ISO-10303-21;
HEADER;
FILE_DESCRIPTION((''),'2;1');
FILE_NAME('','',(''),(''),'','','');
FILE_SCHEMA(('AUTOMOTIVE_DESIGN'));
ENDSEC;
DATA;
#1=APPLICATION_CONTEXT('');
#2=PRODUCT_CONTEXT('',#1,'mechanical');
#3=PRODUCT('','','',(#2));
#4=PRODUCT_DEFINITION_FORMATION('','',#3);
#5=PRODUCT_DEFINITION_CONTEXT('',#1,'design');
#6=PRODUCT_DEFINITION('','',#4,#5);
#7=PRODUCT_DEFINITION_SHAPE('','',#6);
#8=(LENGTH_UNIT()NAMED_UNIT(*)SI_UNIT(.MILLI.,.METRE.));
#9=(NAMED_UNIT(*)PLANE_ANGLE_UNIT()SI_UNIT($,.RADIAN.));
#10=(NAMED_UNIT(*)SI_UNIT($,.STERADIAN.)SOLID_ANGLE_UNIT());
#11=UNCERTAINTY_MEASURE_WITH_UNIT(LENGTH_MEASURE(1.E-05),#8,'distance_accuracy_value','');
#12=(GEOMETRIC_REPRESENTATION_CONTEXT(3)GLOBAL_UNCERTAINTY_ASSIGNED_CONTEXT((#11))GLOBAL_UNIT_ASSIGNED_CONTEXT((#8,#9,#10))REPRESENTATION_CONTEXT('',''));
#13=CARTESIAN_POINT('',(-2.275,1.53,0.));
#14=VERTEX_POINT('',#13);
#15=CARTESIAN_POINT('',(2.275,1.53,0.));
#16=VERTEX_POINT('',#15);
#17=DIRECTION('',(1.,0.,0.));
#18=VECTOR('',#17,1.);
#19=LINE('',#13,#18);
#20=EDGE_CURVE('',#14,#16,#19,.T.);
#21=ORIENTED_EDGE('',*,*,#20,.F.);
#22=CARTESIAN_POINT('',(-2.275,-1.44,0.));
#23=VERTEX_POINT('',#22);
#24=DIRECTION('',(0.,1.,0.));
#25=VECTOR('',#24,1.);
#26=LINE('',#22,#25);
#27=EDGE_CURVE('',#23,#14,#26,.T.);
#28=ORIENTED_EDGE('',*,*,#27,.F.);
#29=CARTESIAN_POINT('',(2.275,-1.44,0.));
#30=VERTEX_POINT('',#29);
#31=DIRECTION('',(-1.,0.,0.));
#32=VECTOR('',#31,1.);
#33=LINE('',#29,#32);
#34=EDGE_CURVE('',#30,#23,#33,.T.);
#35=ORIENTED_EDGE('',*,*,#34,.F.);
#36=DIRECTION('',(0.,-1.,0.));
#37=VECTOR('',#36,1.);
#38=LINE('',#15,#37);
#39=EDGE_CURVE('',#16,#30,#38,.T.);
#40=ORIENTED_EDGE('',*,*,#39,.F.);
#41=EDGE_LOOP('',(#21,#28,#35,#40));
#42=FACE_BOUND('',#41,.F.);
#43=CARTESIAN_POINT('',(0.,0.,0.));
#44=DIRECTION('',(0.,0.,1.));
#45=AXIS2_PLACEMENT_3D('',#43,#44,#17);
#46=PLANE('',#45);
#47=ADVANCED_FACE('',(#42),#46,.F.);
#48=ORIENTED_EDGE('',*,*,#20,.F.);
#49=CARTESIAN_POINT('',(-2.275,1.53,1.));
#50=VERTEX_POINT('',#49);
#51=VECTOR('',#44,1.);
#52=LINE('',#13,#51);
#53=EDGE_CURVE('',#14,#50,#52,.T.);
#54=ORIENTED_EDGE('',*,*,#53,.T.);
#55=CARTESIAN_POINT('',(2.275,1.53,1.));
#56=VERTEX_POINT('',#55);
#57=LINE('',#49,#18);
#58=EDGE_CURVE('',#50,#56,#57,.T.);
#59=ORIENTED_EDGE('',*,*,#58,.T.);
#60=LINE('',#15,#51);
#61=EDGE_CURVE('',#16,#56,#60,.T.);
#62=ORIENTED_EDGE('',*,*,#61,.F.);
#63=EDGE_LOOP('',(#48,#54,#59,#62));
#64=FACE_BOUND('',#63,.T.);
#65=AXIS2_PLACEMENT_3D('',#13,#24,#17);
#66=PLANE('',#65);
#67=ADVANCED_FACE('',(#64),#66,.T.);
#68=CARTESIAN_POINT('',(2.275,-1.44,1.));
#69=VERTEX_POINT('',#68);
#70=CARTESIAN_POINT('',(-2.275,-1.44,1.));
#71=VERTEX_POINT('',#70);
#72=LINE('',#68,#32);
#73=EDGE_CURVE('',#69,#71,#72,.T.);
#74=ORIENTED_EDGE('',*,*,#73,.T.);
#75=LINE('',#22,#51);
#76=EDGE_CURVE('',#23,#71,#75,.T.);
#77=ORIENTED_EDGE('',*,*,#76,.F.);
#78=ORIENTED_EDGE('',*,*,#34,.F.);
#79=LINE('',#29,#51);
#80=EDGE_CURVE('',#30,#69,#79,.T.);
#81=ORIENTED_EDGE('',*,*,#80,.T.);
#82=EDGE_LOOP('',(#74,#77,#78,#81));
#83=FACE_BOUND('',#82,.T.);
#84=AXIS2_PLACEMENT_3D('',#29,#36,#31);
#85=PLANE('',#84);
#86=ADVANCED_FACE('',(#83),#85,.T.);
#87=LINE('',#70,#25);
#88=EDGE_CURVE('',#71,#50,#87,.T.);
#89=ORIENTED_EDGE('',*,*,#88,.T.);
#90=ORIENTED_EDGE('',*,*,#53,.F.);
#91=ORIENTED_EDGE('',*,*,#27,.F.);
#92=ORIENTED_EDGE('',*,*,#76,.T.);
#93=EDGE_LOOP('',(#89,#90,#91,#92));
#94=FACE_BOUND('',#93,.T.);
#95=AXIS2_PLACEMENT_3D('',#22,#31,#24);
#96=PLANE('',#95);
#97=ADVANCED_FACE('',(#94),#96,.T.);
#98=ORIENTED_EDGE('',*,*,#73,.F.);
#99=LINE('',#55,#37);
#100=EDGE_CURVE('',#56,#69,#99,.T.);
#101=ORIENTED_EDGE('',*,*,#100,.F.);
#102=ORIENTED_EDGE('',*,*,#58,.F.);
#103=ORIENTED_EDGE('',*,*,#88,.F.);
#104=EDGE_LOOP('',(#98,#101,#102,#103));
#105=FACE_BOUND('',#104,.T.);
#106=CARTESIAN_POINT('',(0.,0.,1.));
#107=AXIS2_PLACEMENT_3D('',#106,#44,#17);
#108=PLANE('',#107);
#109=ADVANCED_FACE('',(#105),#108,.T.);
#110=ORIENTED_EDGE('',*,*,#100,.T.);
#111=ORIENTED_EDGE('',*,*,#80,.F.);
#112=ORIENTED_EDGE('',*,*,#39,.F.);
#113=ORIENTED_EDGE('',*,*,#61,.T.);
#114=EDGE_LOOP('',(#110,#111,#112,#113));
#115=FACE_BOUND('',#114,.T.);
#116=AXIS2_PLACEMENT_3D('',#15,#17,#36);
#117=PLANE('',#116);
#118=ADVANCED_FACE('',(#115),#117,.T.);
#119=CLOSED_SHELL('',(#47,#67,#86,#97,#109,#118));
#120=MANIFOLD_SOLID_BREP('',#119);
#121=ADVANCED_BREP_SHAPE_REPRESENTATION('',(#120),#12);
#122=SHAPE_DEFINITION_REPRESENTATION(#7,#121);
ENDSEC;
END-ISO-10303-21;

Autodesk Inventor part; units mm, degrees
ref_plane "YZ Plane" through (0, 0, 0) normal (1, 0, 0) x (0, 1, 0)
ref_plane "XZ Plane" through (0, 0, 0) normal (0, 1, 0) x (-1, 0, 0)
ref_plane "XY Plane" through (0, 0, 0) normal (0, 0, 1) x (1, 0, 0)
sketch "CAP_1210, PCAP_1210_173" plane through (0, 0, 0) normal (0, 0, 1) x (1, 0, 0)
  line L0 (-2.275, -1.44) -> (-2.275, 1.53)
  line L1 (-2.275, 1.53) -> (2.275, 1.53)
  line L2 (2.275, 1.53) -> (2.275, -1.44)
  line L3 (2.275, -1.44) -> (-2.275, -1.44)
extrude "Extrusion1" add sketch "CAP_1210, PCAP_1210_173" along normal blind 1
properties part number "PCAP_1210"
